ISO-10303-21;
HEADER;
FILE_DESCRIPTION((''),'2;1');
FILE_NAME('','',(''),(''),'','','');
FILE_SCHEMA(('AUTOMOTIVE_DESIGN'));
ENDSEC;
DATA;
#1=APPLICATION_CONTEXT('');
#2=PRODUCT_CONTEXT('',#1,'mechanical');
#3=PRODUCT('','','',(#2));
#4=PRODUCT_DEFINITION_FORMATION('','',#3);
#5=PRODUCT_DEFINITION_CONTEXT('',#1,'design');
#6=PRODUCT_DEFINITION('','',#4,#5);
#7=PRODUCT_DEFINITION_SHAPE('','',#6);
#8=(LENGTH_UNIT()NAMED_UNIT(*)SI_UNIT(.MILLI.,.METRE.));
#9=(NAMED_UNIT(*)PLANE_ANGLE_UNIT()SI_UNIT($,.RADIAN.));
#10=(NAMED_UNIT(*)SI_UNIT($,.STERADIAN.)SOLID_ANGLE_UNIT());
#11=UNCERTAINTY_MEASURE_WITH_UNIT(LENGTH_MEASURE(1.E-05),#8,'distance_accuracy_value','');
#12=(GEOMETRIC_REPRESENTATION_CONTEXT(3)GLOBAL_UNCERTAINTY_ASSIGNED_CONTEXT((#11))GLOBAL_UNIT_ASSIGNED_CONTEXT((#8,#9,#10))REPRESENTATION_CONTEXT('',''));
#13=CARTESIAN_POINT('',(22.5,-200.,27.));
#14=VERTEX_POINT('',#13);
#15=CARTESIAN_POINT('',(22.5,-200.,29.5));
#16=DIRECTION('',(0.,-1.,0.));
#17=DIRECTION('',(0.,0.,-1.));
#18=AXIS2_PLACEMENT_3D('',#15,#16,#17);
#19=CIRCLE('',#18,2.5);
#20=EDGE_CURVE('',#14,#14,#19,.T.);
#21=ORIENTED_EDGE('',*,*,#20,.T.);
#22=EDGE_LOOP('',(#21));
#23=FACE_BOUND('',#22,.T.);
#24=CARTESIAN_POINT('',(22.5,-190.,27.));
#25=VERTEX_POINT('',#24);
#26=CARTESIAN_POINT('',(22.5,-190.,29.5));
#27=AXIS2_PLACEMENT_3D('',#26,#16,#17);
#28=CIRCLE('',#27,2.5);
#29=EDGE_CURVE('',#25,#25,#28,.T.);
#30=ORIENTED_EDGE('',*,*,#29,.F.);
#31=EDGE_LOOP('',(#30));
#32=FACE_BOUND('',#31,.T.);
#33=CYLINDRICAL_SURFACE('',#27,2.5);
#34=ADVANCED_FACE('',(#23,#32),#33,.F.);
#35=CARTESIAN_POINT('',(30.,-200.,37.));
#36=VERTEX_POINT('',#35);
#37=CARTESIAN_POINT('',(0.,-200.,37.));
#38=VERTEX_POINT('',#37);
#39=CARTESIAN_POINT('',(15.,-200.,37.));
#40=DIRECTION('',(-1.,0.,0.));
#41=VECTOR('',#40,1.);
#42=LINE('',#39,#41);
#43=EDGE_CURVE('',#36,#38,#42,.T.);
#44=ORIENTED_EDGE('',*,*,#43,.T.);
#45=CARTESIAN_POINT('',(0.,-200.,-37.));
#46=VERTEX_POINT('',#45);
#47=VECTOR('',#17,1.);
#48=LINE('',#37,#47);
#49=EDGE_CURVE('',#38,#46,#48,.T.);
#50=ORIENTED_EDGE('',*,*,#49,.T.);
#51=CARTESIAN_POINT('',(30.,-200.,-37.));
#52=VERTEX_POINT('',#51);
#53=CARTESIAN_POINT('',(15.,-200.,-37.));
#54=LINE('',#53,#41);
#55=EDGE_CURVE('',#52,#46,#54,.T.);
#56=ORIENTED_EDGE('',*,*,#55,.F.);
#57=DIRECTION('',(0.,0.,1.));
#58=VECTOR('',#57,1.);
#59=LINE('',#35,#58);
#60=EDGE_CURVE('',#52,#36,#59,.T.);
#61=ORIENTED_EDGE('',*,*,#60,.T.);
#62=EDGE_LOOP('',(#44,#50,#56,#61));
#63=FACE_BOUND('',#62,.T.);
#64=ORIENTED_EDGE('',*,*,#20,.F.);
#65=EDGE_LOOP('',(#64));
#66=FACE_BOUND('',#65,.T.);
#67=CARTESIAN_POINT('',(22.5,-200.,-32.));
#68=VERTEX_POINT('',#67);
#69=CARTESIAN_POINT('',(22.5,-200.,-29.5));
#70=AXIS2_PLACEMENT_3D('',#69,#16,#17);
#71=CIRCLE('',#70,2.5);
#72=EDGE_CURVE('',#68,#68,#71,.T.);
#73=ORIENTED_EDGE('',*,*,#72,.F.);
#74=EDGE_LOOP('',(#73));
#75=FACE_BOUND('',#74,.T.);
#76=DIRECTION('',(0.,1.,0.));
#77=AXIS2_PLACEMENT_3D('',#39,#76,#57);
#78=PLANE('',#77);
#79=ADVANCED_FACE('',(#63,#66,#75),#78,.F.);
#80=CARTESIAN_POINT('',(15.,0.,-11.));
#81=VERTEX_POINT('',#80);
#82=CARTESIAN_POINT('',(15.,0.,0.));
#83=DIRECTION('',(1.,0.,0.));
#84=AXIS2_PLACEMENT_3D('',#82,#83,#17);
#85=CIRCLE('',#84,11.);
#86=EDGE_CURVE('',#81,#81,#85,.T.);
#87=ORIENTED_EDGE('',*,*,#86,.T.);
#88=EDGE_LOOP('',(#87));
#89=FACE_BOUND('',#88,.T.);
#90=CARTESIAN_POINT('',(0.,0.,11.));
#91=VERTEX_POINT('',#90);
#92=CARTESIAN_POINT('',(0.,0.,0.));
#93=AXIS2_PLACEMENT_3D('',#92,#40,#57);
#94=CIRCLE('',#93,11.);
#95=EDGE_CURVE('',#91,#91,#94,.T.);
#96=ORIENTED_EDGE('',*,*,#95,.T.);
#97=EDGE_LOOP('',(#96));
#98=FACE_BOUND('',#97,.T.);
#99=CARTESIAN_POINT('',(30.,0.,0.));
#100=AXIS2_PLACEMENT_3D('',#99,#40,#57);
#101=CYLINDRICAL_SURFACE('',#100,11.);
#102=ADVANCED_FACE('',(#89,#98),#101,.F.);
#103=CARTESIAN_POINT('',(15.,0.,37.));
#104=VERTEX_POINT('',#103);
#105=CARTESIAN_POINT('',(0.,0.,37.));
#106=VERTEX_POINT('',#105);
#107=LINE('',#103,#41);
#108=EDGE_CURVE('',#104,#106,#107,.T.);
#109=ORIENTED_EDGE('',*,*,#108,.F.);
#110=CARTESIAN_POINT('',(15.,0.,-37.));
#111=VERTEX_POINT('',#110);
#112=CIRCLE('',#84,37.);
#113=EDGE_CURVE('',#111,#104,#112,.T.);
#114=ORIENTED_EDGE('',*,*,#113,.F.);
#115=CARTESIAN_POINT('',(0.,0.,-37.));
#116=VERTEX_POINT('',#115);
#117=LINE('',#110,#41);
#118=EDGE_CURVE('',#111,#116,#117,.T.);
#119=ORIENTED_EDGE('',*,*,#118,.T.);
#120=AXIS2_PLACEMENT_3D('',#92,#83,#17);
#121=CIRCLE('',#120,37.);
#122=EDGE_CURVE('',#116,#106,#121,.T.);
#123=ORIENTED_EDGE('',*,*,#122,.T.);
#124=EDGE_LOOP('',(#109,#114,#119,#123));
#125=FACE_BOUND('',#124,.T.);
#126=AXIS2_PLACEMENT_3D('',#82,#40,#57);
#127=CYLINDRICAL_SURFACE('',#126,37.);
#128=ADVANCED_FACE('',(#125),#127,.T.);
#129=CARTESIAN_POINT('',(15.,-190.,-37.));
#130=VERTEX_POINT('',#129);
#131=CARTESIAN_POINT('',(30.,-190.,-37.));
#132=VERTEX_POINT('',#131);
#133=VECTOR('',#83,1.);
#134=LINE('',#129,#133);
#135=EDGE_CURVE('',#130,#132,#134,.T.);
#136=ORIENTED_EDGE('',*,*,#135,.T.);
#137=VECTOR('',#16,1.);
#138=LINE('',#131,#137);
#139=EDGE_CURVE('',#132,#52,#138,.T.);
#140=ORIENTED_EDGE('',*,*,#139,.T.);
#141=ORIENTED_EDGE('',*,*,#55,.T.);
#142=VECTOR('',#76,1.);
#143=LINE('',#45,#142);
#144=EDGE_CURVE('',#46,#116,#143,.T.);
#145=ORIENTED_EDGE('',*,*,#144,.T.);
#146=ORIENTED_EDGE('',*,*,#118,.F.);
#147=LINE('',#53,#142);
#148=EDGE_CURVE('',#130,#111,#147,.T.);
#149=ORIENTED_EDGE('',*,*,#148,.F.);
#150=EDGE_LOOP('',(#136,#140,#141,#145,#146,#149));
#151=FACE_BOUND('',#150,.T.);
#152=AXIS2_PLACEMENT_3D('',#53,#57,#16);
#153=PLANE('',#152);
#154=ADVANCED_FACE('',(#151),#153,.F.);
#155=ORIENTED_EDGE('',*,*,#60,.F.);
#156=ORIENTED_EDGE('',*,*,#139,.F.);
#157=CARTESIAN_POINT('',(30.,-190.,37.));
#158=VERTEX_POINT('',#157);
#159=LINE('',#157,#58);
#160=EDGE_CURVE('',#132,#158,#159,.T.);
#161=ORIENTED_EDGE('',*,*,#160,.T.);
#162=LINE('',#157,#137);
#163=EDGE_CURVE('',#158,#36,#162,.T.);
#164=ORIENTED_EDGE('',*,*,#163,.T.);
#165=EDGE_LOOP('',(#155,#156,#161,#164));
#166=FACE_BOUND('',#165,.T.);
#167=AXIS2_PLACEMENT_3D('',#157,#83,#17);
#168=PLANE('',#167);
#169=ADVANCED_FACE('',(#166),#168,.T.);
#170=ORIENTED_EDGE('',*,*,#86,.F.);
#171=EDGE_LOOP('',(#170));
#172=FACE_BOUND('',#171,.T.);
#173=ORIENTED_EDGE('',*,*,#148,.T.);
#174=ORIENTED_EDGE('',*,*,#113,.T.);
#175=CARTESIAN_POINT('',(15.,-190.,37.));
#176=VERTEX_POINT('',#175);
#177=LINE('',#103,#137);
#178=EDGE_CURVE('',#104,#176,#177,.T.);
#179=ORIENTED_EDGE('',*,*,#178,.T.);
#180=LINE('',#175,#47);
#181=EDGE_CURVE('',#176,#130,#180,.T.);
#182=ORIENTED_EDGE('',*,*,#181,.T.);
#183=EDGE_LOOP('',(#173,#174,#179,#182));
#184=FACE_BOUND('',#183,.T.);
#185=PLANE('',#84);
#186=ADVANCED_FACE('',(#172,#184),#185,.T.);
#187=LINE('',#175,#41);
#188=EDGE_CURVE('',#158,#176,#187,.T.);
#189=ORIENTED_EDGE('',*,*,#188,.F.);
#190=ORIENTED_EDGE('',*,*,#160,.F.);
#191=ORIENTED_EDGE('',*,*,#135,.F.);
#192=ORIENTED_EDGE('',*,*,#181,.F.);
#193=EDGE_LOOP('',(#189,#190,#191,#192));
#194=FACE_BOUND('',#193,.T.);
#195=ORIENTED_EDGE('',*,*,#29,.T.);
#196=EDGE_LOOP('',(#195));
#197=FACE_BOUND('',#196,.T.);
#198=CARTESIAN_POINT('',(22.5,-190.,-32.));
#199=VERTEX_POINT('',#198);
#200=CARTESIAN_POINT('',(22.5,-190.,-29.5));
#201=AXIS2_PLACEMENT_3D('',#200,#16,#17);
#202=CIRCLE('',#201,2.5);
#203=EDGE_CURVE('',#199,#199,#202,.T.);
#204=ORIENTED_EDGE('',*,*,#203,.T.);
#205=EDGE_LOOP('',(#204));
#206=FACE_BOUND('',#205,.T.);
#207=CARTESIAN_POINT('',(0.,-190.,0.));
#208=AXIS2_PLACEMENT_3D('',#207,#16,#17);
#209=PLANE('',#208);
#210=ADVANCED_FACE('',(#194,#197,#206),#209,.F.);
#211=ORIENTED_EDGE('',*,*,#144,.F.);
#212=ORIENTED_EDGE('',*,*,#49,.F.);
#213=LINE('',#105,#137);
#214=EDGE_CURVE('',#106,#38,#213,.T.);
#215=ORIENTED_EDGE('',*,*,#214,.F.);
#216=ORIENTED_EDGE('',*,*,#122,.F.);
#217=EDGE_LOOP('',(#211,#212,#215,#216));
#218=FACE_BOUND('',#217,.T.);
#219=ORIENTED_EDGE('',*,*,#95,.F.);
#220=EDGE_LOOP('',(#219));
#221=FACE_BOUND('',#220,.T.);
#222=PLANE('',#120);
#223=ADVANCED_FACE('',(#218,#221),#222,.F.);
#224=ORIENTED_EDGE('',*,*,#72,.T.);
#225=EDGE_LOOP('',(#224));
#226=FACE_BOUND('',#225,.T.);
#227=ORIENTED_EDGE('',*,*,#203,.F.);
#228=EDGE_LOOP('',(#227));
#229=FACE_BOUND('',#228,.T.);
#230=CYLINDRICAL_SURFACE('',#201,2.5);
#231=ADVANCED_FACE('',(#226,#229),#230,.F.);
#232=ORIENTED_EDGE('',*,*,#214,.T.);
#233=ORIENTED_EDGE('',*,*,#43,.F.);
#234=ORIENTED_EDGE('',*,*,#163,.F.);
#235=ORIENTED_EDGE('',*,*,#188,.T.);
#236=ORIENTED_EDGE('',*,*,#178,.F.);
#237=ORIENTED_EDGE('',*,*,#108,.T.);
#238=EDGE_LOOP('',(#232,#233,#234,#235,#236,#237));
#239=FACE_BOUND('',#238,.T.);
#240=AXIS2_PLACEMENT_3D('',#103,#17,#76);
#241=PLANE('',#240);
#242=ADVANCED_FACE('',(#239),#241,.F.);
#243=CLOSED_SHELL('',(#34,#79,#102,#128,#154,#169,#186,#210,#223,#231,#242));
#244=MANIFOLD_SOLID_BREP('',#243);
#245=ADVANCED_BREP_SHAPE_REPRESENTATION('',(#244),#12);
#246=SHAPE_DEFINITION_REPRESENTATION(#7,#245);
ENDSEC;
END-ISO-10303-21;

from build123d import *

# Parameters (mm, degrees)
BOSS_EXTRUDE1_DEPTH = 15
SKETCH2_W           = 15
SKETCH2_H           = 74
BOSS_EXTRUDE2_DEPTH = 10
SKETCH3_R           = 2.5
CUT_EXTRUDE1_DEPTH  = 10
SKETCH4_R           = 11
CUT_EXTRUDE2_DEPTH  = 31


with BuildPart() as part:
    # Sketch1 → Boss-Extrude1 (new body)
    with BuildSketch(Plane(origin=(0, 0, 0), x_dir=(0, 0, -1), z_dir=(1, 0, 0))):
        with BuildLine():
            Line((-37, 0), (-37, -200))
            Line((-37, -200), (37, -200))
            Line((37, -200), (37, 0))
            ThreePointArc((37, 0), (0, 37), (-37, 0))
        make_face()
    extrude(amount=BOSS_EXTRUDE1_DEPTH)

    # Sketch2 → Boss-Extrude2 (add)
    with BuildSketch(Plane.XZ.offset(200)):
        with Locations((22.5, 0)):
            Rectangle(SKETCH2_W, SKETCH2_H)
    extrude(amount=-BOSS_EXTRUDE2_DEPTH)

    # Sketch3 → Cut-Extrude1 (cut)
    with BuildSketch(Plane.XZ.offset(200)):
        with Locations((22.5, 29.5)):
            Circle(SKETCH3_R)
        with Locations((22.5, -29.5)):
            Circle(SKETCH3_R)
    extrude(amount=-CUT_EXTRUDE1_DEPTH, mode=Mode.SUBTRACT)

    # Sketch4 → Cut-Extrude2 (cut, through all)
    with BuildSketch(Plane.ZY):
        Circle(SKETCH4_R)
    extrude(amount=-CUT_EXTRUDE2_DEPTH, mode=Mode.SUBTRACT)


solid = part.part
